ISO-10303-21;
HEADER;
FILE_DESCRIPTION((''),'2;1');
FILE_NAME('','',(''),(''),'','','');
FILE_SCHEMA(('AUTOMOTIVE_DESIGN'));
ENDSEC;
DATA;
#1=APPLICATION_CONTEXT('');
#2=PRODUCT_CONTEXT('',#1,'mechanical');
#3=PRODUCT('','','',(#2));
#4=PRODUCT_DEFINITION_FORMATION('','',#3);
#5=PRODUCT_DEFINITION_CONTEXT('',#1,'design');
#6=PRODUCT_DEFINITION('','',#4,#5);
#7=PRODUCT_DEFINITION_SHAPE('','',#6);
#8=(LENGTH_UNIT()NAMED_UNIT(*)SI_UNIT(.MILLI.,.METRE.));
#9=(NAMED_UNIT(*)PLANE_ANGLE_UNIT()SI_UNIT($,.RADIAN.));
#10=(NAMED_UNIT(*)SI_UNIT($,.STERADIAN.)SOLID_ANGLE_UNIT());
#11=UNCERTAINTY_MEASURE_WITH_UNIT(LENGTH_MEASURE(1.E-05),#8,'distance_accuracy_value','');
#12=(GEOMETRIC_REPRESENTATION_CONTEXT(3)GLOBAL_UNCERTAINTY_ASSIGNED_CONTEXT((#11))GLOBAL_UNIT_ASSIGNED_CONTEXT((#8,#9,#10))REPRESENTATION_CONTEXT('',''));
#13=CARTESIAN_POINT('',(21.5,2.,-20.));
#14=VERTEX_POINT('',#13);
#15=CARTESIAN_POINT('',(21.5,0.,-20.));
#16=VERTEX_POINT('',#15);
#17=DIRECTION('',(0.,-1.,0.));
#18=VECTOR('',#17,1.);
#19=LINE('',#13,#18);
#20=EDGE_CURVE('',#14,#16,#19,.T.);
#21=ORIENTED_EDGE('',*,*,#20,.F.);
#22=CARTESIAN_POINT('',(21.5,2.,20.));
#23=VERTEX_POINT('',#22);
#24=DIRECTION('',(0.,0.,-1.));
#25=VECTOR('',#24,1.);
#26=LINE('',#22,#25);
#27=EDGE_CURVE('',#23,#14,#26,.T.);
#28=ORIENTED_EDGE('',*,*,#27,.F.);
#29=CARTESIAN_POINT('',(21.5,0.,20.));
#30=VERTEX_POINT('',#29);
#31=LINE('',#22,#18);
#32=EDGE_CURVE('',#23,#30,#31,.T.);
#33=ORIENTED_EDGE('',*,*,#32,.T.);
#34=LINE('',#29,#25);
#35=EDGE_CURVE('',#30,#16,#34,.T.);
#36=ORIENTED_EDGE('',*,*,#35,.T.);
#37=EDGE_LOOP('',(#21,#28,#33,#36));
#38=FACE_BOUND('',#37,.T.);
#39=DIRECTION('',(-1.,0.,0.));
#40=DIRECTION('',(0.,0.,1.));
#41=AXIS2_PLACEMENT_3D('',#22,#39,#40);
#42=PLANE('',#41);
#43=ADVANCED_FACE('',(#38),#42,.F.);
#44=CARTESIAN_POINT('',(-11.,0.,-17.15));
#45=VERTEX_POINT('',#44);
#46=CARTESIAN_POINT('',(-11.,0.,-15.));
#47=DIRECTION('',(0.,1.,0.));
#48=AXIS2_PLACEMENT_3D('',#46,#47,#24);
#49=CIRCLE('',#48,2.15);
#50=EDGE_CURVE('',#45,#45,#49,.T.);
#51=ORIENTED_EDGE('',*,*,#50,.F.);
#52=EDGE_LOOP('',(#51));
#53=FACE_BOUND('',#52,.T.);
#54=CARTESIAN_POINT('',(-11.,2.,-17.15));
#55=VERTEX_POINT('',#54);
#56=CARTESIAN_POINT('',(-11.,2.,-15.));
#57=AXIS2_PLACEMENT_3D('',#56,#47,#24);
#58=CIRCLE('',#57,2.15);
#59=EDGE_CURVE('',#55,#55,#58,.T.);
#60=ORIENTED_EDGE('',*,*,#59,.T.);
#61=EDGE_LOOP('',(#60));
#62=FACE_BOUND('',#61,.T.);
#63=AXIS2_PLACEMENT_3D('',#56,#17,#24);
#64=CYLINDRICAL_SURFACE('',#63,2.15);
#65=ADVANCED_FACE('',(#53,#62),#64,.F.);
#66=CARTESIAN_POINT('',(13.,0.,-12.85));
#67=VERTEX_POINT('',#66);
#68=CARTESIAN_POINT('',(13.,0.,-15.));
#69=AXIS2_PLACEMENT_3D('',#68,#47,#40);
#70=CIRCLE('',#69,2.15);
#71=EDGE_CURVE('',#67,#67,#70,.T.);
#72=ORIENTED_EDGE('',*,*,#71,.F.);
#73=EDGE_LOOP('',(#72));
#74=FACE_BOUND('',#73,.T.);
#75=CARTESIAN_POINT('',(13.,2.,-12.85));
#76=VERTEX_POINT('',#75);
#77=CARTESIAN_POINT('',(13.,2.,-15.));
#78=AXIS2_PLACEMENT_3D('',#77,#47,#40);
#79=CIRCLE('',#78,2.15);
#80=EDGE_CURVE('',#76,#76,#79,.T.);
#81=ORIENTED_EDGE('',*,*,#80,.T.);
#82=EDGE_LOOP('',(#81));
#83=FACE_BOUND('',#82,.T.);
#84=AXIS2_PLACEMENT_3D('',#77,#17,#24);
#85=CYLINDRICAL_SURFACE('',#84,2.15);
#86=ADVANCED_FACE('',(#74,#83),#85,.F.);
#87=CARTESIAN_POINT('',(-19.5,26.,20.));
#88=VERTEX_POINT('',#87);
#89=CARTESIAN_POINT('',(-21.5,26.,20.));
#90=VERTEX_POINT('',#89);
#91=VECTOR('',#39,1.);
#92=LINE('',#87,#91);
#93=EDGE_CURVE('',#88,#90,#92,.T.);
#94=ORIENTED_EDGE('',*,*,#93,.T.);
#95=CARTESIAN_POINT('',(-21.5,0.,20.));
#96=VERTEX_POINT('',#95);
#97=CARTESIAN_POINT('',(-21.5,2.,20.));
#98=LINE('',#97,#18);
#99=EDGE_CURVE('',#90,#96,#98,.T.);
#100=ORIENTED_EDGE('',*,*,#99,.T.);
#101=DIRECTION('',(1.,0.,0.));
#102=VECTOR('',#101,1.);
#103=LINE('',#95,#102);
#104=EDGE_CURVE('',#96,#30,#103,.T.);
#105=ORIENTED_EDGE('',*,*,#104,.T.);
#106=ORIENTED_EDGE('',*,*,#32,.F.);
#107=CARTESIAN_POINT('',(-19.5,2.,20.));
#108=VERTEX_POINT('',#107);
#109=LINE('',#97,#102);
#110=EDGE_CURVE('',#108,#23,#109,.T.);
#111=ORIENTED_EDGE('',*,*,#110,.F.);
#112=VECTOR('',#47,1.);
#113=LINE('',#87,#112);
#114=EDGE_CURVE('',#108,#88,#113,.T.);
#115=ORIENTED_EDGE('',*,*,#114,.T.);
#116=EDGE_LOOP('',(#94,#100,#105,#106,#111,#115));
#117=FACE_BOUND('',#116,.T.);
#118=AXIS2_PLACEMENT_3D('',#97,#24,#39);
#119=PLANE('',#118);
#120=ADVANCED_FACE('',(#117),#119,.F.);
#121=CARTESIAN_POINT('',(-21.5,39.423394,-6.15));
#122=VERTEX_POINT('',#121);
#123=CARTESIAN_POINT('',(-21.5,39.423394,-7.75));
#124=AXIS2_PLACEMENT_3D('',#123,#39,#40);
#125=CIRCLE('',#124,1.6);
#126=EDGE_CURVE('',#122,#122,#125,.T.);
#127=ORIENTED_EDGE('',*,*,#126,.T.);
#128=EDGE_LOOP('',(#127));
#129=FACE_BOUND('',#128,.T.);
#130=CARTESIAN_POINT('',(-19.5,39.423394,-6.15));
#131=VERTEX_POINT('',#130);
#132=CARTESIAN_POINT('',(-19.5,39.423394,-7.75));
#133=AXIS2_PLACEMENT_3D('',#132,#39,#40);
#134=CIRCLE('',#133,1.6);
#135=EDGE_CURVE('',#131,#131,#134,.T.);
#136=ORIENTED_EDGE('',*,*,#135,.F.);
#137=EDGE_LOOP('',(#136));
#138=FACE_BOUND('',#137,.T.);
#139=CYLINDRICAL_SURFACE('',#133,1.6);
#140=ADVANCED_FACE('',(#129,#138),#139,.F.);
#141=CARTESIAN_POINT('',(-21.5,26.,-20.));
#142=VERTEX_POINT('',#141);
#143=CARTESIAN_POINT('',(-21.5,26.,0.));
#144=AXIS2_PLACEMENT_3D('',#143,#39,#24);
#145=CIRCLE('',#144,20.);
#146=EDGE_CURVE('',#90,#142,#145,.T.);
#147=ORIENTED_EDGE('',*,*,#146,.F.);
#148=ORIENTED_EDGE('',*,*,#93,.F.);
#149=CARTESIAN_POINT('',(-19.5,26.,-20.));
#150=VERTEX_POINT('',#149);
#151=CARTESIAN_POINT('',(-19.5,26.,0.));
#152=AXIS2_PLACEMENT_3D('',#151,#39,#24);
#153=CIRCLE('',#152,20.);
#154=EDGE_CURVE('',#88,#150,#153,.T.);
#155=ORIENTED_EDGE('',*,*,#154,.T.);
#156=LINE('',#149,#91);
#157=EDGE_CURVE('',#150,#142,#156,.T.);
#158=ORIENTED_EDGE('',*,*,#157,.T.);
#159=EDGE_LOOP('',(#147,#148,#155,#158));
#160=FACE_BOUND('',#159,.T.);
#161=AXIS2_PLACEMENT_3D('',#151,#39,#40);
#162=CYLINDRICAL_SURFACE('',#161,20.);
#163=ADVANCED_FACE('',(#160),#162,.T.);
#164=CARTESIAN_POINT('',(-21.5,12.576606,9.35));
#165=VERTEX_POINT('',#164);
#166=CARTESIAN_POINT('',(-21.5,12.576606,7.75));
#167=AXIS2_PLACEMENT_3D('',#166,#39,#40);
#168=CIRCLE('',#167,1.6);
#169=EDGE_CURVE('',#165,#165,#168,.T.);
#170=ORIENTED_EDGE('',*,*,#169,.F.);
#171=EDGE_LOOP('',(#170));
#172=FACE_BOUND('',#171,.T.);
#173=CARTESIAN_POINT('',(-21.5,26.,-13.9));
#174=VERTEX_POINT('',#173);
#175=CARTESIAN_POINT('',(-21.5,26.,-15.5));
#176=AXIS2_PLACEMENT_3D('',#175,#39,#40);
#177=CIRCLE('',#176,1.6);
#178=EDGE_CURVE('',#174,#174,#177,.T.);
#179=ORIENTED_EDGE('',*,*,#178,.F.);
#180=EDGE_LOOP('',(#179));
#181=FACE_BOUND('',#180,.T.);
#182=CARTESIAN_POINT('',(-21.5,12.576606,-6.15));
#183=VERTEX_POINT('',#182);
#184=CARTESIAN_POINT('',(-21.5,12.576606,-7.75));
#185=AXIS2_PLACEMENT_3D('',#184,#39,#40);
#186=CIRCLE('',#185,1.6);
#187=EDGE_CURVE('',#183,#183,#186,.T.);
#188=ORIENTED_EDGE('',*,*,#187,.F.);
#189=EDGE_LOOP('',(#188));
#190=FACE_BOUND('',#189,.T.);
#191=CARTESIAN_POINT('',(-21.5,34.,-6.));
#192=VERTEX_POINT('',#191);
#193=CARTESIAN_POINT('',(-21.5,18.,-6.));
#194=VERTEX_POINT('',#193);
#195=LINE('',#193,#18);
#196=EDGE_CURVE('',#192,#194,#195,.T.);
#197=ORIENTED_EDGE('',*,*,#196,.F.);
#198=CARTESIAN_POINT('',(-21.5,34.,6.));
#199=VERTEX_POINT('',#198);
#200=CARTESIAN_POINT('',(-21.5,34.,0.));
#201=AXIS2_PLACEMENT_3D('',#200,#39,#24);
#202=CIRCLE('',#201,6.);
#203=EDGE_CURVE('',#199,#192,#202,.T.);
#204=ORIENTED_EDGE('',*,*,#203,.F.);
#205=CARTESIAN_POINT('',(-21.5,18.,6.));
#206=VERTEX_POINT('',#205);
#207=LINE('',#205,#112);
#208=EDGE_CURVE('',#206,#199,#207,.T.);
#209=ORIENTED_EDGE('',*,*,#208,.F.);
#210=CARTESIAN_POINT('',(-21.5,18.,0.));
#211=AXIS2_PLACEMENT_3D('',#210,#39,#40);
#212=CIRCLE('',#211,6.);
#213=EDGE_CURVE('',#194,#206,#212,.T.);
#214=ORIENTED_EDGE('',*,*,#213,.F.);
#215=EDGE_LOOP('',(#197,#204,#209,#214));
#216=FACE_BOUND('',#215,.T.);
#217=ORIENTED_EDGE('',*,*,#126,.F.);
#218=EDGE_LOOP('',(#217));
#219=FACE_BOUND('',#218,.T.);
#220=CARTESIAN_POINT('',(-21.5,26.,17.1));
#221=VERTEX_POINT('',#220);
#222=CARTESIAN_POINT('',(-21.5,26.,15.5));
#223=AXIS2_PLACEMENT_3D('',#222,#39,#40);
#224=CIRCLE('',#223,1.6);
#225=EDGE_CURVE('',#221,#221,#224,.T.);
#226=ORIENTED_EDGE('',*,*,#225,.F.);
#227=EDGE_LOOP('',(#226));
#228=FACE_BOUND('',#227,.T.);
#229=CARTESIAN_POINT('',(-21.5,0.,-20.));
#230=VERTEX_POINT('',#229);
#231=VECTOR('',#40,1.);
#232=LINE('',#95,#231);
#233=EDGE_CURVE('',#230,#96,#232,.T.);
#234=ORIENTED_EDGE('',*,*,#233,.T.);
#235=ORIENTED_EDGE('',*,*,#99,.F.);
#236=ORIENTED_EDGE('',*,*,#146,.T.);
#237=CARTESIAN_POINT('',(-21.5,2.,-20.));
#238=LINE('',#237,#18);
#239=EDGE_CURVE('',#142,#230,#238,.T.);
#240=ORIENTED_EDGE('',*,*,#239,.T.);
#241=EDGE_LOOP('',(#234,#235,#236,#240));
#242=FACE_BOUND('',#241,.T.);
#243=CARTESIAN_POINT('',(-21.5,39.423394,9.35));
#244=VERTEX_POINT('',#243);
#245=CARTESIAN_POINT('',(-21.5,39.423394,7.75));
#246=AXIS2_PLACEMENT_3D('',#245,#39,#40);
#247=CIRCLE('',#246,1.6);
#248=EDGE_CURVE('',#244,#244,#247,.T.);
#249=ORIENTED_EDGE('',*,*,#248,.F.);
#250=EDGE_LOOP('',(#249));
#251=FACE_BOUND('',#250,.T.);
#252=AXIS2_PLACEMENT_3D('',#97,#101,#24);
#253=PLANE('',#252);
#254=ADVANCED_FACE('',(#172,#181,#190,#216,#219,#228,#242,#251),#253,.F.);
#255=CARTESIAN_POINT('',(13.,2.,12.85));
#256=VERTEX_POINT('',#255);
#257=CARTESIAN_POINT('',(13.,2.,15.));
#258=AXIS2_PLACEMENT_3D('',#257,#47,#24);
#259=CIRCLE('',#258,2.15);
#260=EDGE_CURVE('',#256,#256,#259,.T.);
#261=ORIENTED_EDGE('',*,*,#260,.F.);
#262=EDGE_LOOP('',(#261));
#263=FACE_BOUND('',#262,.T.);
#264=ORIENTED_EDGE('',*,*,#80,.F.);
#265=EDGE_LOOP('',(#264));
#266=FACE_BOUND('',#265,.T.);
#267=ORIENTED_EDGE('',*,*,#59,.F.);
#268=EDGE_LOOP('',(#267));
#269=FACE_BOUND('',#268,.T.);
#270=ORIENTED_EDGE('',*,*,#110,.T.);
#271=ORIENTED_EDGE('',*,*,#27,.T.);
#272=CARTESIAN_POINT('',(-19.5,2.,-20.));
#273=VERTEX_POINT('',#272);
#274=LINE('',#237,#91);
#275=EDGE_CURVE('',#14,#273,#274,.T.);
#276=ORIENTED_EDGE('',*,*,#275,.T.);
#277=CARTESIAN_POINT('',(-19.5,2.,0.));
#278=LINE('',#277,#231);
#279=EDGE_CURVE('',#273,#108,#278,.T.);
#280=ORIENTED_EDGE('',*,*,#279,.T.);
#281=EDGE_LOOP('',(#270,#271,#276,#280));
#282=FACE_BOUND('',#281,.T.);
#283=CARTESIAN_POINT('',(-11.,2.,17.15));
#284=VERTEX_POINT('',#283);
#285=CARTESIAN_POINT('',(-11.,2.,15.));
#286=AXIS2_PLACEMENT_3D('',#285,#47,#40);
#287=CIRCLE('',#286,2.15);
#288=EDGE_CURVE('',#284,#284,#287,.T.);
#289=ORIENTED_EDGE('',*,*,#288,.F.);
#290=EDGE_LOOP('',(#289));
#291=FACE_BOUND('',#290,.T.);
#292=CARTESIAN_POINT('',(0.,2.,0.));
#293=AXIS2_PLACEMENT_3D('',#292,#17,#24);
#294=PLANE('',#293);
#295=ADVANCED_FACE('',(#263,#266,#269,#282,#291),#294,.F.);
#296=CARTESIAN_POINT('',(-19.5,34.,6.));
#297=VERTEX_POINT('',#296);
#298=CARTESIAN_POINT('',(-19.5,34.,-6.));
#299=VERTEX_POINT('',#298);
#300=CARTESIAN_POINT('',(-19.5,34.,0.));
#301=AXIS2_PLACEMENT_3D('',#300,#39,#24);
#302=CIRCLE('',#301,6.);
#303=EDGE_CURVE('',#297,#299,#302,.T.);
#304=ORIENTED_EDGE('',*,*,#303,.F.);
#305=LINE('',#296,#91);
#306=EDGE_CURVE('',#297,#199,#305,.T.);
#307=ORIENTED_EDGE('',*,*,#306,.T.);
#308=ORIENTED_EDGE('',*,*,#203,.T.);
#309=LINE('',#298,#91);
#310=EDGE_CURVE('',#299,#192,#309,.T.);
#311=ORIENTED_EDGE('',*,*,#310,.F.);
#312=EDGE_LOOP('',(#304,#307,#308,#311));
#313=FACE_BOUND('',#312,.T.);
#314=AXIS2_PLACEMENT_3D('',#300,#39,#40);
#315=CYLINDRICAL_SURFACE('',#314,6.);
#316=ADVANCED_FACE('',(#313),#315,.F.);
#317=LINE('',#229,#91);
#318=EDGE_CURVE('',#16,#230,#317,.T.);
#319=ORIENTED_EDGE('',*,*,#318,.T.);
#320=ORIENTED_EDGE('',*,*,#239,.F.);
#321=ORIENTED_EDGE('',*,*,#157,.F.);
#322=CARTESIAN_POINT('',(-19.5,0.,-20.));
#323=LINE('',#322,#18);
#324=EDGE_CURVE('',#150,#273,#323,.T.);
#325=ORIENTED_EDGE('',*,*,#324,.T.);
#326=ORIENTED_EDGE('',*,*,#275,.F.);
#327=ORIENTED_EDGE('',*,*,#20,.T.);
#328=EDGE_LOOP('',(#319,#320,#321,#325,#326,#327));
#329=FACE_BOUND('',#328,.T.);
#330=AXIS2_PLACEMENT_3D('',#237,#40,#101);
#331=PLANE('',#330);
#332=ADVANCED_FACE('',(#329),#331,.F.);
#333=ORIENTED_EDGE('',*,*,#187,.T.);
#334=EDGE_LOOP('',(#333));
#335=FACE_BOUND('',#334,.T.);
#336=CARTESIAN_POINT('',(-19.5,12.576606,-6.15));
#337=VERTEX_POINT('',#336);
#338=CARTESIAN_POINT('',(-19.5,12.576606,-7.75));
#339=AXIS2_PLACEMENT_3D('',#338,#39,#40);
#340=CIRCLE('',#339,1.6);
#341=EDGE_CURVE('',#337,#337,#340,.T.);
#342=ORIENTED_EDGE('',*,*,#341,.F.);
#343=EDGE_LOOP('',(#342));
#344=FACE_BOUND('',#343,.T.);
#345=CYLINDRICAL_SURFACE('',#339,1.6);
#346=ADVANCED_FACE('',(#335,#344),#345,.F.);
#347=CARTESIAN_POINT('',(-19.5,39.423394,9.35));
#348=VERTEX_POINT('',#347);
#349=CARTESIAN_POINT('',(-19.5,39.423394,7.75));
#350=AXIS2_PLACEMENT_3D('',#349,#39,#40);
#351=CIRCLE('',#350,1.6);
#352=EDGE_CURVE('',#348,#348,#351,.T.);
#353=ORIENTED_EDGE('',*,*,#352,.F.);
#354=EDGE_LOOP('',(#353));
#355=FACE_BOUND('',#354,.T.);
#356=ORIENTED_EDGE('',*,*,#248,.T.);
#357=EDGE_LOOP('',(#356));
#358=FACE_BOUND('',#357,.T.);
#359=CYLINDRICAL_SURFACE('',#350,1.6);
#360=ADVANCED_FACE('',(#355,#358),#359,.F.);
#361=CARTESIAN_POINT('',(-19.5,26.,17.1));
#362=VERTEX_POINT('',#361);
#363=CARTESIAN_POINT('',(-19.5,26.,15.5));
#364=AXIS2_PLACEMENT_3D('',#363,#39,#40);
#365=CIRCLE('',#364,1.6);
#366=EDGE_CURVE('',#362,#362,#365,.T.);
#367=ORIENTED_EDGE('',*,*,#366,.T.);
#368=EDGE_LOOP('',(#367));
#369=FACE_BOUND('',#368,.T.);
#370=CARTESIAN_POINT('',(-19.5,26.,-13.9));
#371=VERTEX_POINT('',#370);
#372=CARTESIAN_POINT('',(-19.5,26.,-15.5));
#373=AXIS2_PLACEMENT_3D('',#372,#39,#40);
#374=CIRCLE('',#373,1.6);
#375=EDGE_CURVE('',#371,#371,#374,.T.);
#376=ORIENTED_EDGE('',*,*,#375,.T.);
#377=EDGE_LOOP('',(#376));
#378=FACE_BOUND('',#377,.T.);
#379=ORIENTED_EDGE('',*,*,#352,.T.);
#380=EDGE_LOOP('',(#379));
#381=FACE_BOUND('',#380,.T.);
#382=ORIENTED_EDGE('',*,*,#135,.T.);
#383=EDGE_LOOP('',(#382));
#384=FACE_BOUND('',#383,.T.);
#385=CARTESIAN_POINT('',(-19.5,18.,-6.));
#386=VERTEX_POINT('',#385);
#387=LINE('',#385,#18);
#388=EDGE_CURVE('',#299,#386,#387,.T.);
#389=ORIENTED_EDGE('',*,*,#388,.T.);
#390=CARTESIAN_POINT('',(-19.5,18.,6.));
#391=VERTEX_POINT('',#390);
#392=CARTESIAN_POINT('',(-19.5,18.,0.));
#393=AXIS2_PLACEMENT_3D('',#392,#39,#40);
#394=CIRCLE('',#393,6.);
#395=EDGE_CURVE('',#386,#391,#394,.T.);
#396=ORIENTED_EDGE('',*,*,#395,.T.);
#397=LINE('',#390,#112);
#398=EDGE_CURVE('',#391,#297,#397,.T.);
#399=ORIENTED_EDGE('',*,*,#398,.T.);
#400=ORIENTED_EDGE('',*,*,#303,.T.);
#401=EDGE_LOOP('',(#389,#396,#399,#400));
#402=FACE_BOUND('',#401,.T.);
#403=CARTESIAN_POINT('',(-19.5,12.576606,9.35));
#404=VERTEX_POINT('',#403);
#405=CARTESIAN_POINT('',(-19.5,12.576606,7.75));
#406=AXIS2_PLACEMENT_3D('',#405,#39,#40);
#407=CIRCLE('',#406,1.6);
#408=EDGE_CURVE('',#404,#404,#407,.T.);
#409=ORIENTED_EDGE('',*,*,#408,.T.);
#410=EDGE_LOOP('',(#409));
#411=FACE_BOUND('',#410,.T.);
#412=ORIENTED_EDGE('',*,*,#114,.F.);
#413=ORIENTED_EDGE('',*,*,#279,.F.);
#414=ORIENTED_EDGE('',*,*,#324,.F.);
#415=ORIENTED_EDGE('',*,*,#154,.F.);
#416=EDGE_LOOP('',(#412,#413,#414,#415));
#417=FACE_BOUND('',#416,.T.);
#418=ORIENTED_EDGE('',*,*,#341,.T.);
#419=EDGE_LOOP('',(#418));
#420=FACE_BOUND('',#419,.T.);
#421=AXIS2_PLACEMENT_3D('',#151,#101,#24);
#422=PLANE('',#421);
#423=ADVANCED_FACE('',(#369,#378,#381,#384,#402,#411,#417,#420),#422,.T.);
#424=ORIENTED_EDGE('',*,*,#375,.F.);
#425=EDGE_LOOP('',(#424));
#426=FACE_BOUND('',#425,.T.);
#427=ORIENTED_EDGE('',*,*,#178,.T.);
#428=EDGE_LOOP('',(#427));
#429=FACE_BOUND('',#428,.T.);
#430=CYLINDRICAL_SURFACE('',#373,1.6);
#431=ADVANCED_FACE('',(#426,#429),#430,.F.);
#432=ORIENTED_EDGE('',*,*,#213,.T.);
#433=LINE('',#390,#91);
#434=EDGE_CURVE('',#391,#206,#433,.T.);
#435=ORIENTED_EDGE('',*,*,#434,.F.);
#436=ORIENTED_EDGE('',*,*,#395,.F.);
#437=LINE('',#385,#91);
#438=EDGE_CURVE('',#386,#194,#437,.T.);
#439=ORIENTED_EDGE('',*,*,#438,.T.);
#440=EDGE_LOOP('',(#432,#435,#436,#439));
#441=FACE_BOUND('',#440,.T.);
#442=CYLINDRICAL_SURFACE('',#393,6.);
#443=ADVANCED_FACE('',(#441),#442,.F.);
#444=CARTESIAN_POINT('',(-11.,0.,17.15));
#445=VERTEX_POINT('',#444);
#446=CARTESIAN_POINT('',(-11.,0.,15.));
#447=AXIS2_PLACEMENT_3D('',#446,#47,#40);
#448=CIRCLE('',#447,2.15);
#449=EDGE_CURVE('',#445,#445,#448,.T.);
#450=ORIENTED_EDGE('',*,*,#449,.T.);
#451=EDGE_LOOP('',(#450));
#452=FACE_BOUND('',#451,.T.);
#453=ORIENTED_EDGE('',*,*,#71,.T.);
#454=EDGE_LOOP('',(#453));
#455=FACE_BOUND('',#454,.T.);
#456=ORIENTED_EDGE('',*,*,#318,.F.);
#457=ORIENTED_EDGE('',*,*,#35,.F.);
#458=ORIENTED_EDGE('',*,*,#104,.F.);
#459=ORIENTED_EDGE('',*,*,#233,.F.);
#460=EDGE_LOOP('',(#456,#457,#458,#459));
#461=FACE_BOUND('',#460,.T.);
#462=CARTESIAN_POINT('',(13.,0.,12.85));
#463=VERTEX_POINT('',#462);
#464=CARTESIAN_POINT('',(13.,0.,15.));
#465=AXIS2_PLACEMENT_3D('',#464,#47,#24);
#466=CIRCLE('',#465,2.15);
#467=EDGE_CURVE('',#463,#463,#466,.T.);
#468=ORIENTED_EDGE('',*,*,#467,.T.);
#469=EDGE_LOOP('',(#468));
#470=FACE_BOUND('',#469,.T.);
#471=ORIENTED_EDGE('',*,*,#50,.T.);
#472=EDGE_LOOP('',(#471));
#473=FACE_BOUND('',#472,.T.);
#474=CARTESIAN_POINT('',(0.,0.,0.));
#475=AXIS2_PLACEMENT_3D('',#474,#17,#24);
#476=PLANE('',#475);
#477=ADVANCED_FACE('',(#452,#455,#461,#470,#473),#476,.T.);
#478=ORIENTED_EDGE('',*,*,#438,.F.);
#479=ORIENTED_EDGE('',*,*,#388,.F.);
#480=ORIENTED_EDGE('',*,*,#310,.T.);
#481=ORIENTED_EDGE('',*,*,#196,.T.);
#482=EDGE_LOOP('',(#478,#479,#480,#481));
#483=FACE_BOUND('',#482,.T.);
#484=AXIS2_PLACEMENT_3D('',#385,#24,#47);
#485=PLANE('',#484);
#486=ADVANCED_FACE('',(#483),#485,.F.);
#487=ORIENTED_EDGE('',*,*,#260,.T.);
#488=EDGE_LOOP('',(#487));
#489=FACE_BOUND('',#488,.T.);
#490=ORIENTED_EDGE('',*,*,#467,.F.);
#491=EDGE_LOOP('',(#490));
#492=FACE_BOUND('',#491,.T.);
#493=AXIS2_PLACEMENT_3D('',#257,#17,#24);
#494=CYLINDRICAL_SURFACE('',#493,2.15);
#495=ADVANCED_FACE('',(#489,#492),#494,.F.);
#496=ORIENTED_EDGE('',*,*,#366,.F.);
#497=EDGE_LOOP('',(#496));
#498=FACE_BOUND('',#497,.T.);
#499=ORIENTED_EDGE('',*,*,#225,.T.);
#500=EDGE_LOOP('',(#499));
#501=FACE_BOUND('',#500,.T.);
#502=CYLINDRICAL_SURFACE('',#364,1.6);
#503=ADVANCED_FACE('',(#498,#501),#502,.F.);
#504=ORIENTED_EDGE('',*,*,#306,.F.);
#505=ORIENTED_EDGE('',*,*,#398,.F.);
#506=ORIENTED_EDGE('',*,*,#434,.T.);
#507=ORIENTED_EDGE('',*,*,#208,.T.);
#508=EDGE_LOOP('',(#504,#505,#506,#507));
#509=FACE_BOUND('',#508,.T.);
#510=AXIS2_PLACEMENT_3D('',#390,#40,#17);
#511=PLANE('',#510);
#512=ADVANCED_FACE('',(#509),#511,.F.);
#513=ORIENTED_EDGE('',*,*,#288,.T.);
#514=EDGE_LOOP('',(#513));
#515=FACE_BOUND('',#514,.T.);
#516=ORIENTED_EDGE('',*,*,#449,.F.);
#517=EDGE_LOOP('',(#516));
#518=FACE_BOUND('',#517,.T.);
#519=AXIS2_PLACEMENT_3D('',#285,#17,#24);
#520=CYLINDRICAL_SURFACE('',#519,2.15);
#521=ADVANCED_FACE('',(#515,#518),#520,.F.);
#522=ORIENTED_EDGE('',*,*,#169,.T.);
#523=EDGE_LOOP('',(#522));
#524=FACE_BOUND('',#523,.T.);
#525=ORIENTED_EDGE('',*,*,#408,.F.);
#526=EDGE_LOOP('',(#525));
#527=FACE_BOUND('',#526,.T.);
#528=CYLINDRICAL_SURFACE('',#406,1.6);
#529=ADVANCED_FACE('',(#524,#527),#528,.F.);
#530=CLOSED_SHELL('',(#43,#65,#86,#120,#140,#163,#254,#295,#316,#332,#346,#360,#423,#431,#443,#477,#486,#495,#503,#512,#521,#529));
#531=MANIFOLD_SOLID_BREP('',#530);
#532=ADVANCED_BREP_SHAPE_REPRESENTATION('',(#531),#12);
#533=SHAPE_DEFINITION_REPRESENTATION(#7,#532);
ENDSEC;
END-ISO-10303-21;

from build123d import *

# Parameters (mm, degrees)
SKETCH_1_W      = 43
SKETCH_1_H      = 40
SKETCH_1_R      = 2.15
EXTRUDE_1_DEPTH = 2
SKETCH_3_R      = 1.6
EXTRUDE_2_DEPTH = 2


with BuildPart() as part:
    # 草图1 → 凸台-拉伸1 (new body)
    with BuildSketch(Plane(origin=(0, 0, 0), x_dir=(1, 0, 0), z_dir=(0, 1, 0))):
        Rectangle(SKETCH_1_W, SKETCH_1_H)
        with Locations(Location((13, 15, 0), (0, 0, 270))):
            Circle(SKETCH_1_R, mode=Mode.SUBTRACT)
        with Locations(Location((13, -15, 0), (0, 0, 90))):
            Circle(SKETCH_1_R, mode=Mode.SUBTRACT)
        with Locations(Location((-11, 15, 0), (0, 0, 90))):
            Circle(SKETCH_1_R, mode=Mode.SUBTRACT)
        with Locations(Location((-11, -15, 0), (0, 0, 270))):
            Circle(SKETCH_1_R, mode=Mode.SUBTRACT)
    extrude(amount=EXTRUDE_1_DEPTH)

    # 草图3 → 凸台-拉伸2 (add)
    with BuildSketch(Plane.ZY.offset(21.5)):
        with BuildLine():
            Line((-20, 0), (-20, 26))
            ThreePointArc((-20, 26), (0, 46), (20, 26))
            Line((20, 26), (20, 0))
            Line((20, 0), (-20, 0))
        make_face()
        with Locations((-15.5, 26)):
            Circle(SKETCH_3_R, mode=Mode.SUBTRACT)
        with Locations((-7.75, 39.423393759)):
            Circle(SKETCH_3_R, mode=Mode.SUBTRACT)
        with Locations((7.75, 39.423393759)):
            Circle(SKETCH_3_R, mode=Mode.SUBTRACT)
        with Locations((15.5, 26)):
            Circle(SKETCH_3_R, mode=Mode.SUBTRACT)
        with Locations((7.75, 12.576606241)):
            Circle(SKETCH_3_R, mode=Mode.SUBTRACT)
        with Locations((-7.75, 12.576606241)):
            Circle(SKETCH_3_R, mode=Mode.SUBTRACT)
        with BuildLine():
            Line((-6, 18), (-6, 34))
            ThreePointArc((-6, 34), (0, 40), (6, 34))
            Line((6, 34), (6, 18))
            ThreePointArc((6, 18), (0, 12), (-6, 18))
        make_face(mode=Mode.SUBTRACT)
    extrude(amount=-EXTRUDE_2_DEPTH)


solid = part.part
